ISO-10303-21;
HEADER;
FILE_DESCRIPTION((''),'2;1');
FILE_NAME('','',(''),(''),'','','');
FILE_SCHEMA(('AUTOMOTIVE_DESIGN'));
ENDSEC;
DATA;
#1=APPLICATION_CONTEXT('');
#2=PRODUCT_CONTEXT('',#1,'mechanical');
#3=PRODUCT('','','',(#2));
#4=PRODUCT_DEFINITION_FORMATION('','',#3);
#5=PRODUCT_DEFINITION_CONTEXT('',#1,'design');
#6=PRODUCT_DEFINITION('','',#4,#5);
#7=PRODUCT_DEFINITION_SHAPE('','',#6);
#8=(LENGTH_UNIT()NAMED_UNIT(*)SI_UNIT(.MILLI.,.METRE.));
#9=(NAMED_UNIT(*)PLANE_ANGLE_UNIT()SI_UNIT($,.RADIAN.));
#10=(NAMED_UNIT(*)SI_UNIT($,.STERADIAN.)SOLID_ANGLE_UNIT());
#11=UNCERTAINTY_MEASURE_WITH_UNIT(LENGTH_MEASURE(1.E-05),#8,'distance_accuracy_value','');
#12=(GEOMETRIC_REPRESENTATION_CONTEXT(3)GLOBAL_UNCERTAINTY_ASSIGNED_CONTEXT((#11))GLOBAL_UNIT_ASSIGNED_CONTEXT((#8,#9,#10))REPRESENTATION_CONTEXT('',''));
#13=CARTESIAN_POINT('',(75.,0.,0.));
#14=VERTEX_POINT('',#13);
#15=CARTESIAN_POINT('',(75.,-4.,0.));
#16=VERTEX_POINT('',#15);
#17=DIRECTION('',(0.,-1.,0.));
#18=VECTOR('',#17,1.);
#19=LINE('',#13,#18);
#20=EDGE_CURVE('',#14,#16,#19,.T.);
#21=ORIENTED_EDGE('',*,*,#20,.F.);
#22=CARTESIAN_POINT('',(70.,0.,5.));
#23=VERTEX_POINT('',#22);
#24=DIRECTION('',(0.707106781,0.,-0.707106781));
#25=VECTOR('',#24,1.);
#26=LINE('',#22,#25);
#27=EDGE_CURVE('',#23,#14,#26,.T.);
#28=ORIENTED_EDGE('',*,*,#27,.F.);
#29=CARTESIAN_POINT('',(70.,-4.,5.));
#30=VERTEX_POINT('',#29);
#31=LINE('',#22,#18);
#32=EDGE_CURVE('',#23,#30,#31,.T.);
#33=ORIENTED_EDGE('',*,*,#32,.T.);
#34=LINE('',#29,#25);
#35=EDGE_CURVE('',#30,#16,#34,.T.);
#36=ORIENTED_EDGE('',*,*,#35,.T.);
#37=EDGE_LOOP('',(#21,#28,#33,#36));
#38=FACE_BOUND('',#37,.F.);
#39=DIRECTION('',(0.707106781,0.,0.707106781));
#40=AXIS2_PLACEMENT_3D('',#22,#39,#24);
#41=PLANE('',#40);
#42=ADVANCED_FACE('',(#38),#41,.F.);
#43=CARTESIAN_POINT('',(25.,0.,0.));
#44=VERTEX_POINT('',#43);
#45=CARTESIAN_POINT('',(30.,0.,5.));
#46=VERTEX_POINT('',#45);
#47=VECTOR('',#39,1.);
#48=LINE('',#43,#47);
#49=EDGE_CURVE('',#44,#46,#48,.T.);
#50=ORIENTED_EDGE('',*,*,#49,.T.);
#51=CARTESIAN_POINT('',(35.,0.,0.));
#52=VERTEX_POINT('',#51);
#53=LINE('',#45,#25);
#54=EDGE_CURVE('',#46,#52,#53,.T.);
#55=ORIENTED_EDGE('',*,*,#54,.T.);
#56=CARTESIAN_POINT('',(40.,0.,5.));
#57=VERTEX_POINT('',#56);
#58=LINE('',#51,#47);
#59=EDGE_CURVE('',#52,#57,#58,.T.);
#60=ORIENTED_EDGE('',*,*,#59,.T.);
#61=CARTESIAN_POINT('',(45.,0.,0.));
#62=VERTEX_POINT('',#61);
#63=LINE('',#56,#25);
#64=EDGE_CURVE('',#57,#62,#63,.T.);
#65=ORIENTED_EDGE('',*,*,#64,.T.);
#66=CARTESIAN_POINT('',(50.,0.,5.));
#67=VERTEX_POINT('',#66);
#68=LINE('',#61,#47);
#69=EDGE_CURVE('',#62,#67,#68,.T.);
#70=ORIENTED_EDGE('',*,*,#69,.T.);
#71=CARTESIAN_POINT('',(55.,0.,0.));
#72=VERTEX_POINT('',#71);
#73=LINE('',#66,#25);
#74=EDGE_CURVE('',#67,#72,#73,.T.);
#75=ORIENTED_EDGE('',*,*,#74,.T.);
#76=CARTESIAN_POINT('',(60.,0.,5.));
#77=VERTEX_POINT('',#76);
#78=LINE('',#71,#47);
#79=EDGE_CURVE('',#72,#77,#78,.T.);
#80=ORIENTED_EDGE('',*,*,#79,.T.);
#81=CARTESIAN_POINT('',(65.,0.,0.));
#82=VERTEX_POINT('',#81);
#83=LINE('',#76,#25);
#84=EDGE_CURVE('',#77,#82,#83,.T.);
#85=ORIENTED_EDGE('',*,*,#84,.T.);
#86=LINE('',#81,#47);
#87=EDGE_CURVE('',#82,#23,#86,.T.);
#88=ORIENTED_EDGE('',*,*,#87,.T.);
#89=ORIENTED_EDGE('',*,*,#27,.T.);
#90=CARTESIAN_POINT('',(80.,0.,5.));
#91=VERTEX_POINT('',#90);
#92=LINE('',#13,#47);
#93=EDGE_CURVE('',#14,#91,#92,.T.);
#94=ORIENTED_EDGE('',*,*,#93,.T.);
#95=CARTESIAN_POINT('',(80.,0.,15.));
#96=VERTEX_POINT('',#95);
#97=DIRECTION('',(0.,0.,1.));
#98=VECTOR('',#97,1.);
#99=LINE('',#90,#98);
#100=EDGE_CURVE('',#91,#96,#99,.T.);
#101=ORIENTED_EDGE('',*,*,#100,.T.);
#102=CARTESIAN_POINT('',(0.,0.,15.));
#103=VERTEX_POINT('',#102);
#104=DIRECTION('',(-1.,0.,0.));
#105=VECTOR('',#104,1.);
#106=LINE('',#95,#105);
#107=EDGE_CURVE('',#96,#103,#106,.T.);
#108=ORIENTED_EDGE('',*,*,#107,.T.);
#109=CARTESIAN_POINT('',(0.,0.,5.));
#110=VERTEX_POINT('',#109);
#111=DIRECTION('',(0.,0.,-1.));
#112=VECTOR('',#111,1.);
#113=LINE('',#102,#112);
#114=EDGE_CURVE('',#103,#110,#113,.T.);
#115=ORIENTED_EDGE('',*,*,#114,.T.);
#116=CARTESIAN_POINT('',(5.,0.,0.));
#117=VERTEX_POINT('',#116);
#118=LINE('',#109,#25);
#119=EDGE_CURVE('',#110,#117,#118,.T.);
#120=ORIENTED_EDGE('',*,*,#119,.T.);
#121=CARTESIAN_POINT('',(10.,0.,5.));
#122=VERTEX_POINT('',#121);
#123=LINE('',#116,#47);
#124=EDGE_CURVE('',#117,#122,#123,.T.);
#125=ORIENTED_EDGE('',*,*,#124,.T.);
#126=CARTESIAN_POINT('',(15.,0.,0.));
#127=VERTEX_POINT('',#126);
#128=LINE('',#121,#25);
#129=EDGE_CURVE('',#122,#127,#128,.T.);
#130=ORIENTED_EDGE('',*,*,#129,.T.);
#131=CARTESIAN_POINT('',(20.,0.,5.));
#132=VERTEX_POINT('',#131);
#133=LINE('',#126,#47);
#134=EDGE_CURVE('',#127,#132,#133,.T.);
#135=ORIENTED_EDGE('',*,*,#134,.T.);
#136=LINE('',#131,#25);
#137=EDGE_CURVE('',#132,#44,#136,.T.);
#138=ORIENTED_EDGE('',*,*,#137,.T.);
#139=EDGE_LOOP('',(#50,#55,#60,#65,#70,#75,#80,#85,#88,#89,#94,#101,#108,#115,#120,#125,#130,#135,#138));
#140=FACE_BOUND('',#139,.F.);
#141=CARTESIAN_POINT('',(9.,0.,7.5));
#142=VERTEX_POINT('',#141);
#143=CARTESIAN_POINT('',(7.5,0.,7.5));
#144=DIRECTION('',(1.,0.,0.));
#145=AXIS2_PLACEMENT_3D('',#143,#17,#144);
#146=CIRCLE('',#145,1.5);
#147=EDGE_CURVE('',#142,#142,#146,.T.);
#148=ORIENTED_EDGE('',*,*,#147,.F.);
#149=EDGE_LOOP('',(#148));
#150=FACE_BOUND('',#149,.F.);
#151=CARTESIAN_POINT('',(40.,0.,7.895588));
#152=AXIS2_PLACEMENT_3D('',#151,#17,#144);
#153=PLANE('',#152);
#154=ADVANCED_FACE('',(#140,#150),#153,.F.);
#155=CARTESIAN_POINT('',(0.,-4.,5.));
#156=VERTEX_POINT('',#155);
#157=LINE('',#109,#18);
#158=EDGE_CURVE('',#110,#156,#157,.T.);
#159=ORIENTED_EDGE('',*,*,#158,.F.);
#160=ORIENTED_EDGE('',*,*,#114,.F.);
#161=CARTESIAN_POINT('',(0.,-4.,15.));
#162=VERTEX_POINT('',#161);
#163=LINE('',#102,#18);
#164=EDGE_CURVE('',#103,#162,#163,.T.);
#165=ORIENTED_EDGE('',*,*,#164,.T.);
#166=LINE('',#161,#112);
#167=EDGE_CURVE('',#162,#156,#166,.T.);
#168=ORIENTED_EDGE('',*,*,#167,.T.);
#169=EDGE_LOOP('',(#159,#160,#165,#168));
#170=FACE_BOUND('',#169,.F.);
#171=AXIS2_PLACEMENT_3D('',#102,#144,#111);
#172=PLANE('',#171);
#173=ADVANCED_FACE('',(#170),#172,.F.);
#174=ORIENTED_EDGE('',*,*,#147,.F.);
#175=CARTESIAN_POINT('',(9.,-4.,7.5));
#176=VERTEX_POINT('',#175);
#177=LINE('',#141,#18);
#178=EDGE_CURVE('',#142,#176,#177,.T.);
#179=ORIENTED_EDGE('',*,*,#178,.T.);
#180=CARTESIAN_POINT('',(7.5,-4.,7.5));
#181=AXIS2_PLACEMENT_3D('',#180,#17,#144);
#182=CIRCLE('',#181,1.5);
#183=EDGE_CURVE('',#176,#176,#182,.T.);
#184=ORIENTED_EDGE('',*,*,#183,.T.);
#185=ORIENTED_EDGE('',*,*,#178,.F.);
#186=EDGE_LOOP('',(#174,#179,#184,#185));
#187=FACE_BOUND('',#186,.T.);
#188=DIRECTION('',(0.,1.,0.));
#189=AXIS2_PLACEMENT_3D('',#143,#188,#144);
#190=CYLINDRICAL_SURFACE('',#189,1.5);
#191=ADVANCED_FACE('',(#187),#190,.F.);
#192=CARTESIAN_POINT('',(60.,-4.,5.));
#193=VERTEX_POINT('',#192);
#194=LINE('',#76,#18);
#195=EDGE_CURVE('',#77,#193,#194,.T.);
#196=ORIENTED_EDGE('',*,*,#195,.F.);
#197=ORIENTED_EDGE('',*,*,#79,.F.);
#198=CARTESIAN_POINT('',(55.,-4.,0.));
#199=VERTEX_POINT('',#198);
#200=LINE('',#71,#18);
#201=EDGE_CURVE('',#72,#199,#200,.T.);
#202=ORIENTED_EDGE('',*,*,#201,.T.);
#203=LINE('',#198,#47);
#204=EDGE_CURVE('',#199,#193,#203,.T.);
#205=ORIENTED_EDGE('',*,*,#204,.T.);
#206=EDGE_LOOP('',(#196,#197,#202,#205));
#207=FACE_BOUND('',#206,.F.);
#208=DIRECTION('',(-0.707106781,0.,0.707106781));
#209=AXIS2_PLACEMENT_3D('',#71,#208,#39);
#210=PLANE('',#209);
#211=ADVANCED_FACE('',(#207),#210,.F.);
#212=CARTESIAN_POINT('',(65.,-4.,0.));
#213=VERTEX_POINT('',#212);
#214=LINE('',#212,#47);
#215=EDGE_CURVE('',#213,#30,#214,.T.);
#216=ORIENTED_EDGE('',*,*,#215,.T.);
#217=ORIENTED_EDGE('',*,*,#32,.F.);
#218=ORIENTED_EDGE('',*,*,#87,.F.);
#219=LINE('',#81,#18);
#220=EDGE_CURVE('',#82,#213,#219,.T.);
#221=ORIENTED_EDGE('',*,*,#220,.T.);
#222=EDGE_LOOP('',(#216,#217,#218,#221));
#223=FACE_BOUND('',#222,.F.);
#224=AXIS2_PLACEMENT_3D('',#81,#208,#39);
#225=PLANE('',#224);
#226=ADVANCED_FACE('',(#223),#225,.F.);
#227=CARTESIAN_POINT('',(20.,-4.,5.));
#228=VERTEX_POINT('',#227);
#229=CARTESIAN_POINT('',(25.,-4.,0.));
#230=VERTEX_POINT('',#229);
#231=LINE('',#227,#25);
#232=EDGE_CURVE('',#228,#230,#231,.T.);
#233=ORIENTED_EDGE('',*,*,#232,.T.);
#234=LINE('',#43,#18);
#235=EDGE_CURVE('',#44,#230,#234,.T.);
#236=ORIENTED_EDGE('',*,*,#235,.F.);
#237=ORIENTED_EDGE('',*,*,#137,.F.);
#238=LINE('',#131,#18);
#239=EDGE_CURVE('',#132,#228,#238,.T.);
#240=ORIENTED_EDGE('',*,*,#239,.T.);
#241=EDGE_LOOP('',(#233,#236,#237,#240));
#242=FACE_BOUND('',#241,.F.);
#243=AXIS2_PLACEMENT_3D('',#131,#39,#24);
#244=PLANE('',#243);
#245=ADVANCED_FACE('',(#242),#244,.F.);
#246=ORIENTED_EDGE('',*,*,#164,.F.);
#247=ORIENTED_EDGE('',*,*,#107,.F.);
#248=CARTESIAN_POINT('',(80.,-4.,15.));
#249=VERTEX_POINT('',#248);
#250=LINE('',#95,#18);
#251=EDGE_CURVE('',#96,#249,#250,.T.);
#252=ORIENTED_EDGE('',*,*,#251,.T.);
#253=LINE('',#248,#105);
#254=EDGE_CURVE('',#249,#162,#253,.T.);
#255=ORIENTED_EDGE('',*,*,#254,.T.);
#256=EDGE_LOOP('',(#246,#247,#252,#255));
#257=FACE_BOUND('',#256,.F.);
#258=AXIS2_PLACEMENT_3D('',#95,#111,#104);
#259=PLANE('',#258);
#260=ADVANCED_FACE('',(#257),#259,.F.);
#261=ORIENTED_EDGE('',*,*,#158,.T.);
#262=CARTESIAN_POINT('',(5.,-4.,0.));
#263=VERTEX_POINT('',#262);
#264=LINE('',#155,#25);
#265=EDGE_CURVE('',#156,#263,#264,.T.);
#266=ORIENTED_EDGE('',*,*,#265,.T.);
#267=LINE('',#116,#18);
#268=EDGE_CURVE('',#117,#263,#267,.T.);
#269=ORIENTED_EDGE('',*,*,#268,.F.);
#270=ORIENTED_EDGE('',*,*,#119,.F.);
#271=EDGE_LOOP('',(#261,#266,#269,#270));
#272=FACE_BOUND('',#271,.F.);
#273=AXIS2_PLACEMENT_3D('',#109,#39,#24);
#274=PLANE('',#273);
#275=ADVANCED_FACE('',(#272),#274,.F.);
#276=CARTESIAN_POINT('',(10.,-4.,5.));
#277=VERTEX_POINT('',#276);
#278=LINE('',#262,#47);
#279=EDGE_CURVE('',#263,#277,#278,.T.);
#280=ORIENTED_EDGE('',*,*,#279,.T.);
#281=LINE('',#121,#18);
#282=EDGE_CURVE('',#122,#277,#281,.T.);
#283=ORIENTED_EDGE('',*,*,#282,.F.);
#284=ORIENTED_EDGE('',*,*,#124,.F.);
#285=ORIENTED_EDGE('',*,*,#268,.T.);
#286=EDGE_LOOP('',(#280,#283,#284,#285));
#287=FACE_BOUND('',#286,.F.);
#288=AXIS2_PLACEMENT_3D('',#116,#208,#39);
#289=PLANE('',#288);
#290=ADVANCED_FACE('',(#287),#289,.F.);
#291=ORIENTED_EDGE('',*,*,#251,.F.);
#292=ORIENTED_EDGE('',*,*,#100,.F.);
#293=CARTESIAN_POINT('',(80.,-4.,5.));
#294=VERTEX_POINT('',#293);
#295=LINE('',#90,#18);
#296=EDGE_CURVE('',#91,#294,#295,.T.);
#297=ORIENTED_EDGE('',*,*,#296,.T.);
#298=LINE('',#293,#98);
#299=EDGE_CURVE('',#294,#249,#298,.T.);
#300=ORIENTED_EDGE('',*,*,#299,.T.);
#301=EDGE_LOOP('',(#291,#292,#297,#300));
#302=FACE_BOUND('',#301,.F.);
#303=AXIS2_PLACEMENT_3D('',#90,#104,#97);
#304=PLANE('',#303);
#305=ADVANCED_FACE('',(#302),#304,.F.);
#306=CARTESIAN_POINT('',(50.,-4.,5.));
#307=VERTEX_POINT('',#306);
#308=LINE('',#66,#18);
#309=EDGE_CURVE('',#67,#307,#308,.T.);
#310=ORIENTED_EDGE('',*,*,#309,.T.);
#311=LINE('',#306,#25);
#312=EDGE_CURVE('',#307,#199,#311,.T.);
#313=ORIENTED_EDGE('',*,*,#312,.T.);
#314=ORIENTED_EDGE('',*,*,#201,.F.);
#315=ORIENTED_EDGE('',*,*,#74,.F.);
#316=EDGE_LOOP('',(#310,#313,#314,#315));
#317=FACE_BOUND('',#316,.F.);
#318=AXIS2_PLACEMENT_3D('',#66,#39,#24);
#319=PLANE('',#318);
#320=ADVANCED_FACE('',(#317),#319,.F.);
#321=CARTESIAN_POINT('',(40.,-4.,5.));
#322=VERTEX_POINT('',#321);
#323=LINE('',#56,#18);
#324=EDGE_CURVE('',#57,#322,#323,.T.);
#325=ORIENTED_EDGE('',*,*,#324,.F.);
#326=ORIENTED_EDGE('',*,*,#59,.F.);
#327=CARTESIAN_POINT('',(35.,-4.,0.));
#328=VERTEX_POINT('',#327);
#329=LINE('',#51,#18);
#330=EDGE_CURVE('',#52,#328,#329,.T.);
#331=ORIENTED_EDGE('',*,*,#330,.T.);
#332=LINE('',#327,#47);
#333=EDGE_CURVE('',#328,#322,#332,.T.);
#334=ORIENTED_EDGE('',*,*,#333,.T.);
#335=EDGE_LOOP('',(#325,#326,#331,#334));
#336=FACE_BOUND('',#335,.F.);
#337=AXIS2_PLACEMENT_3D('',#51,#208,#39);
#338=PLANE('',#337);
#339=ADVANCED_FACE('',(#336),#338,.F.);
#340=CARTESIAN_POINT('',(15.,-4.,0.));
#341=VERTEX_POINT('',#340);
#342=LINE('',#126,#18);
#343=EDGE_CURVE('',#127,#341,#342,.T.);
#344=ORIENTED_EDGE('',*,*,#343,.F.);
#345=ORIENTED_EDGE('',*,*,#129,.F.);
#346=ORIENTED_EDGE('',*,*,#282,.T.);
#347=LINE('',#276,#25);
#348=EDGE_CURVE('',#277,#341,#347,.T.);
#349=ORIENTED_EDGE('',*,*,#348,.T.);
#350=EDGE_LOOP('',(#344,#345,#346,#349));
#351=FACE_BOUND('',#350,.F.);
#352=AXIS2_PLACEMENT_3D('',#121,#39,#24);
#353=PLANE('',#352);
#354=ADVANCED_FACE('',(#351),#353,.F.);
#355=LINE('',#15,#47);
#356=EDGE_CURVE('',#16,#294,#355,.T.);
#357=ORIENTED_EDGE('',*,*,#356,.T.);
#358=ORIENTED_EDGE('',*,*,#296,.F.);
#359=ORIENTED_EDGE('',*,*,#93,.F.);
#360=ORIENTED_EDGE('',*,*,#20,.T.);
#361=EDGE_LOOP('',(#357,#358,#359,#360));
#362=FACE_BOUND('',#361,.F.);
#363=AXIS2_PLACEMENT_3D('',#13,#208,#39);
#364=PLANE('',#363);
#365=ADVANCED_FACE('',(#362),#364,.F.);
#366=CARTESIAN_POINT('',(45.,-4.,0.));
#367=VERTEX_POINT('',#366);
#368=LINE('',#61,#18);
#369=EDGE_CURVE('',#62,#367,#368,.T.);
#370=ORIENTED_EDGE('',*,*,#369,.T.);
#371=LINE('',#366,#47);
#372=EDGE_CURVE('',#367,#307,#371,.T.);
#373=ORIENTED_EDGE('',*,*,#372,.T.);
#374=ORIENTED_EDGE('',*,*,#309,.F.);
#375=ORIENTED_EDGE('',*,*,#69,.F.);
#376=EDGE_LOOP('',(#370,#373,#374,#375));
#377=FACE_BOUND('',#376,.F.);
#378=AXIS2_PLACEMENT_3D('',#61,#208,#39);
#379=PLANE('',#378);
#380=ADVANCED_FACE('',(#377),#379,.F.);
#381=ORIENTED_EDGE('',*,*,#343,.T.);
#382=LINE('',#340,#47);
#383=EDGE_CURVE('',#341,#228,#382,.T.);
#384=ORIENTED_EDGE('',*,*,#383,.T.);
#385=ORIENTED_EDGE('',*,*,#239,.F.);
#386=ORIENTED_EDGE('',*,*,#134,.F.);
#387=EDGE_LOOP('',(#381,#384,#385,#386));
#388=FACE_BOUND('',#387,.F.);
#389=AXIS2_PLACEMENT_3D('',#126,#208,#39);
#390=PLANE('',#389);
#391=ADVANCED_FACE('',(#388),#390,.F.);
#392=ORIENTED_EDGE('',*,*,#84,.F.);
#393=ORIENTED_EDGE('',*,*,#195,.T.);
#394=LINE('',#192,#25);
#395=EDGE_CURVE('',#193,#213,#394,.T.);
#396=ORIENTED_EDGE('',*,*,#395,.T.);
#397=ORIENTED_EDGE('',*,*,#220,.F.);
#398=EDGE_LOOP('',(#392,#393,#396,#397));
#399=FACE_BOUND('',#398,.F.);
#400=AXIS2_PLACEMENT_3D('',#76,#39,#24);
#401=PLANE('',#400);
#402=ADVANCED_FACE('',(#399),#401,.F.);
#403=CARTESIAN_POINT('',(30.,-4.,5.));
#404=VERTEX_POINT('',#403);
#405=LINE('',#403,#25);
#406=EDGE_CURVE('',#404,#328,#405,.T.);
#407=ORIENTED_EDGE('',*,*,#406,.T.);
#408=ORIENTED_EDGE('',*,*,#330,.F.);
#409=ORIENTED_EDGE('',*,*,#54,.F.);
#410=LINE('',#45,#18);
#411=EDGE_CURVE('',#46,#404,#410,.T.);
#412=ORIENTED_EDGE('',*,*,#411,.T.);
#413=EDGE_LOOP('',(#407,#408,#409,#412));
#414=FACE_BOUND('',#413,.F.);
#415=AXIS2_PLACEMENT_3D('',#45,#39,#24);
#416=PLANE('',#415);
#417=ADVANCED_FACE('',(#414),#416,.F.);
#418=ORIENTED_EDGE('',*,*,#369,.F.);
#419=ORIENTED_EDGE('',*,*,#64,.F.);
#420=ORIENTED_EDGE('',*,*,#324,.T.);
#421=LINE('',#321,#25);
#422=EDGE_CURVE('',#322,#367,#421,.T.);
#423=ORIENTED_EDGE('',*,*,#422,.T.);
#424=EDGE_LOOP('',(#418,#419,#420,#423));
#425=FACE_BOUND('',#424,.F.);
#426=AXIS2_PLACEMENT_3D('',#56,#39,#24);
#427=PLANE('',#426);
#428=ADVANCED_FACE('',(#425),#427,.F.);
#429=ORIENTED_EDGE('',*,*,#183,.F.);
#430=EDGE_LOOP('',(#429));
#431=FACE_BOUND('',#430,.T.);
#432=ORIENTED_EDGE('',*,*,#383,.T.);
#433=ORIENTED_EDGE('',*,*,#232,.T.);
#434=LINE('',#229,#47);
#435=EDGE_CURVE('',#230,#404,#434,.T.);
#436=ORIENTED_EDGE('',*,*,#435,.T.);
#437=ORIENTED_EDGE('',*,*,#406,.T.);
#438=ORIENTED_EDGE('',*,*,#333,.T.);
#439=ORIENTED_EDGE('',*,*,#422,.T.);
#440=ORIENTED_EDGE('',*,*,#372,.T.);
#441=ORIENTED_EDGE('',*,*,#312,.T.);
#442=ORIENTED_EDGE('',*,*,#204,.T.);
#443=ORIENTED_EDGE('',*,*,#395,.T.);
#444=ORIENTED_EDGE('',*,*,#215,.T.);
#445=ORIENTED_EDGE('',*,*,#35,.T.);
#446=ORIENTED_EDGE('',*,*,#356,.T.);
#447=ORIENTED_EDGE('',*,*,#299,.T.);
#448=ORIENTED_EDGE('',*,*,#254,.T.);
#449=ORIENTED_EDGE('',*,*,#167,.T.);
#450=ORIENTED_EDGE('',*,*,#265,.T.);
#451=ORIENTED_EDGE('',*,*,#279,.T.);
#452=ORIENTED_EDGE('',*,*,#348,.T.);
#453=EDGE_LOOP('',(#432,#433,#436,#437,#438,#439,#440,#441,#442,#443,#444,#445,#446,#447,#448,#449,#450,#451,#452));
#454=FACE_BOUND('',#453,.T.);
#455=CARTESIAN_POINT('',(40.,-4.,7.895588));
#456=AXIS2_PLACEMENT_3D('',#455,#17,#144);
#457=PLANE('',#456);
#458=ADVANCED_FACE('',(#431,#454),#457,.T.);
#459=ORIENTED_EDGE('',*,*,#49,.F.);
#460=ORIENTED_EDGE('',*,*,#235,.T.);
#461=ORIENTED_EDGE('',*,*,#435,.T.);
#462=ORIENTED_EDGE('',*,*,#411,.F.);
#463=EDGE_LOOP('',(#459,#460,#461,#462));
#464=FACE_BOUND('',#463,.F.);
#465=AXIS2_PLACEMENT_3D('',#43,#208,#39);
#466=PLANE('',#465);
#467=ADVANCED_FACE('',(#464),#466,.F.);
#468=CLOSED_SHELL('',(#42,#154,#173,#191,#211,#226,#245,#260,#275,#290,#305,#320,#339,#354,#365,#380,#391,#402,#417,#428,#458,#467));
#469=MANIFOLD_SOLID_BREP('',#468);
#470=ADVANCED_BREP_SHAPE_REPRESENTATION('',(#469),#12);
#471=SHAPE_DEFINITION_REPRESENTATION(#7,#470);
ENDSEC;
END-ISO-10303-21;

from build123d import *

# Parameters (mm, degrees)
F0_R     = 1.5
F1_DEPTH = 4


with BuildPart() as f1:
    # F0 (on Front) → F1 (new body)
    with BuildSketch(Plane.XZ):
        Polygon((80, 15), (0, 15), (0, 5), (5, 0), (10, 5), (15, 0), (20, 5), (25, 0), (30, 5), (35, 0), (40, 5), (45, 0), (50, 5), (55, 0), (60, 5), (65, 0), (70, 5), (75, 0), (80, 5), align=None)
        with Locations((7.5, 7.5)):
            Circle(F0_R, mode=Mode.SUBTRACT)
    extrude(amount=F1_DEPTH)


solid = f1.part
